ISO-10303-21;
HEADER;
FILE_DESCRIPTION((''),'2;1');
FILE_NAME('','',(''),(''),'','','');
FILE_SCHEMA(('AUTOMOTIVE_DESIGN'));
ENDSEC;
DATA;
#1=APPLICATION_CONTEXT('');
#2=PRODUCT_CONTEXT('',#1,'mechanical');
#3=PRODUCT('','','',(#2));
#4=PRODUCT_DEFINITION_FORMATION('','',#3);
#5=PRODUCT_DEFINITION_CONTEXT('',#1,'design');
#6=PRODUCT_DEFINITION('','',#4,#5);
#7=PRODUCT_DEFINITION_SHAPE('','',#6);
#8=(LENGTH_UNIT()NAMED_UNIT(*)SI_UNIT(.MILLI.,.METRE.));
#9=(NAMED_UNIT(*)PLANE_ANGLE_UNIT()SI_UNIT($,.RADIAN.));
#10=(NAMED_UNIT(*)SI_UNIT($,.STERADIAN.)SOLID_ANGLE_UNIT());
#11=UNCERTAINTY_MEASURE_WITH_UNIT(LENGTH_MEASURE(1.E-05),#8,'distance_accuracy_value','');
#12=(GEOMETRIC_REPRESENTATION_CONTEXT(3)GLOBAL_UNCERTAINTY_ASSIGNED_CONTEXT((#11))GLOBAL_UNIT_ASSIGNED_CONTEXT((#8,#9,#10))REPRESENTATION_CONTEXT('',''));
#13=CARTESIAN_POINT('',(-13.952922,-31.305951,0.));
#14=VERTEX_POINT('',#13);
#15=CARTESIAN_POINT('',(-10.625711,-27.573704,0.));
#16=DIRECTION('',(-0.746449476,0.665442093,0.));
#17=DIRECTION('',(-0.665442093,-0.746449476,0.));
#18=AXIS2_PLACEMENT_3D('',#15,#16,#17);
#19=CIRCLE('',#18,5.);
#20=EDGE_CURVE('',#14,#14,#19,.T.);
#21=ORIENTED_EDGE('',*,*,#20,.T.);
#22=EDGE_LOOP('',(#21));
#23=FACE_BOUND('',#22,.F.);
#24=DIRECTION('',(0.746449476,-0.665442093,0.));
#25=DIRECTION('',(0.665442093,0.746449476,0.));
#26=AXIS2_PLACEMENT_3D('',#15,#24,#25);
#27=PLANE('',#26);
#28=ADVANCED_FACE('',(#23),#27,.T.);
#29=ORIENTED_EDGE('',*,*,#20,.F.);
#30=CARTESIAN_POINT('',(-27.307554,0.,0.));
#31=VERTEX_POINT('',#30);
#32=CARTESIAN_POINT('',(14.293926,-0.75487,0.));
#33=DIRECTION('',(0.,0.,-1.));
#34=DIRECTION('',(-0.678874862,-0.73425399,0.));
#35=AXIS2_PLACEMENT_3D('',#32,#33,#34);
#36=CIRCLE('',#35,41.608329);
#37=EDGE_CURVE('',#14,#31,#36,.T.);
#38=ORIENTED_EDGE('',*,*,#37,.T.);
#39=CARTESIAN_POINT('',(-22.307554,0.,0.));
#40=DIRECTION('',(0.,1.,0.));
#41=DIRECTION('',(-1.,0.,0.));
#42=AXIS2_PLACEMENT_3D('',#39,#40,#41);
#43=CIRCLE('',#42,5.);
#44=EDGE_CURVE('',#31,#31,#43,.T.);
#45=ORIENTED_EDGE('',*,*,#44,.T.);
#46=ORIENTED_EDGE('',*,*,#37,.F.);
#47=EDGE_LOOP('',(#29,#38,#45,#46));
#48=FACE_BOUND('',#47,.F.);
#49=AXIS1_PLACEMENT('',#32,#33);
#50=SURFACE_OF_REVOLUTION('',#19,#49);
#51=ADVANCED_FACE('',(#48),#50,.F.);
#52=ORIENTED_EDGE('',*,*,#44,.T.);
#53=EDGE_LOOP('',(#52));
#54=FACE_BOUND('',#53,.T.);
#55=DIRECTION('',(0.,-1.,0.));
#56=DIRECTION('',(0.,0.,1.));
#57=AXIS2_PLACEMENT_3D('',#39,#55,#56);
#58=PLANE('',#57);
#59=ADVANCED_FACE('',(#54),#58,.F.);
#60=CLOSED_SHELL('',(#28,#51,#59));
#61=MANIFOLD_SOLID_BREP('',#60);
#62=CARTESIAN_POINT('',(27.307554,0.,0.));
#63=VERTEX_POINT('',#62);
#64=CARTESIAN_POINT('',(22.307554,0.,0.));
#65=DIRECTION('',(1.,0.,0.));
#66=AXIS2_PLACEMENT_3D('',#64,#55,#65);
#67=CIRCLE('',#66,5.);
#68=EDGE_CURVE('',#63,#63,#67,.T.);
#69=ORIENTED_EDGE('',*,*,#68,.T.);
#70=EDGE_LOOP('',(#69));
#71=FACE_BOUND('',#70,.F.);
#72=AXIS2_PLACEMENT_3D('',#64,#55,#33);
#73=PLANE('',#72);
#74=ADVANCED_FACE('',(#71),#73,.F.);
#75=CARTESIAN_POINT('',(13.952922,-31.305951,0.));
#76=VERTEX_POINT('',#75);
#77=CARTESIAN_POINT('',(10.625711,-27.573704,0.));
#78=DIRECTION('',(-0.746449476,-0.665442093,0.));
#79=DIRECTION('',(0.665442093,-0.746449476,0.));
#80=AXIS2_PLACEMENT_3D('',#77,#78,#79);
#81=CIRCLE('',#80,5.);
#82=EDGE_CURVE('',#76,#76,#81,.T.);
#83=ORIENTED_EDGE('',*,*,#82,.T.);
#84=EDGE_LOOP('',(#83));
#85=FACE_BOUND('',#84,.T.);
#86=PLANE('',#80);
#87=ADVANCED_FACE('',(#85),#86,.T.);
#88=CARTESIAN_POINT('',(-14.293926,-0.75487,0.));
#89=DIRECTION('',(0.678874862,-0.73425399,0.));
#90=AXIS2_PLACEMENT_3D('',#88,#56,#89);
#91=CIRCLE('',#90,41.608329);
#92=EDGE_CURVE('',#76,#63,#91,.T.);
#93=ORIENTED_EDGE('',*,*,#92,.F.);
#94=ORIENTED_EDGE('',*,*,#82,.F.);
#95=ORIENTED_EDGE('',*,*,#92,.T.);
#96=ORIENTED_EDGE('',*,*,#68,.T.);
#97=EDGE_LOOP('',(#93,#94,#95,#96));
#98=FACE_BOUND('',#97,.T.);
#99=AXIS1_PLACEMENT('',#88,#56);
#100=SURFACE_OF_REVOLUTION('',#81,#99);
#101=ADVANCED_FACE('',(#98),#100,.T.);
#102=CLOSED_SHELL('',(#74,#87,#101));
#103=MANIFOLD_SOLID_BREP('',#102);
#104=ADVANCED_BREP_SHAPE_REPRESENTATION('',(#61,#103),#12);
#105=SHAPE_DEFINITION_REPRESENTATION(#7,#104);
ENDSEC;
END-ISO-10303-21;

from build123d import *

# Parameters (mm, degrees)
F1_R = 5


with BuildPart() as f2:
    # F2: sweep along a path in F0
    with BuildLine(Plane.XY) as f2_path:
        ThreePointArc((10.421052, -27.34413), (19.13431, -14.910149), (22, 0))
    # F1 (on Front) → F2 (sweep)
    with BuildSketch(Plane.XZ):
        with Locations((22.307554, 0)):
            Circle(F1_R)
    sweep(path=f2_path.line)


with BuildPart() as f3_1:
    # F3: instance of F2
    add(f2.part.mirror(Plane.YZ))


solid = Compound([f2.part, f3_1.part])
